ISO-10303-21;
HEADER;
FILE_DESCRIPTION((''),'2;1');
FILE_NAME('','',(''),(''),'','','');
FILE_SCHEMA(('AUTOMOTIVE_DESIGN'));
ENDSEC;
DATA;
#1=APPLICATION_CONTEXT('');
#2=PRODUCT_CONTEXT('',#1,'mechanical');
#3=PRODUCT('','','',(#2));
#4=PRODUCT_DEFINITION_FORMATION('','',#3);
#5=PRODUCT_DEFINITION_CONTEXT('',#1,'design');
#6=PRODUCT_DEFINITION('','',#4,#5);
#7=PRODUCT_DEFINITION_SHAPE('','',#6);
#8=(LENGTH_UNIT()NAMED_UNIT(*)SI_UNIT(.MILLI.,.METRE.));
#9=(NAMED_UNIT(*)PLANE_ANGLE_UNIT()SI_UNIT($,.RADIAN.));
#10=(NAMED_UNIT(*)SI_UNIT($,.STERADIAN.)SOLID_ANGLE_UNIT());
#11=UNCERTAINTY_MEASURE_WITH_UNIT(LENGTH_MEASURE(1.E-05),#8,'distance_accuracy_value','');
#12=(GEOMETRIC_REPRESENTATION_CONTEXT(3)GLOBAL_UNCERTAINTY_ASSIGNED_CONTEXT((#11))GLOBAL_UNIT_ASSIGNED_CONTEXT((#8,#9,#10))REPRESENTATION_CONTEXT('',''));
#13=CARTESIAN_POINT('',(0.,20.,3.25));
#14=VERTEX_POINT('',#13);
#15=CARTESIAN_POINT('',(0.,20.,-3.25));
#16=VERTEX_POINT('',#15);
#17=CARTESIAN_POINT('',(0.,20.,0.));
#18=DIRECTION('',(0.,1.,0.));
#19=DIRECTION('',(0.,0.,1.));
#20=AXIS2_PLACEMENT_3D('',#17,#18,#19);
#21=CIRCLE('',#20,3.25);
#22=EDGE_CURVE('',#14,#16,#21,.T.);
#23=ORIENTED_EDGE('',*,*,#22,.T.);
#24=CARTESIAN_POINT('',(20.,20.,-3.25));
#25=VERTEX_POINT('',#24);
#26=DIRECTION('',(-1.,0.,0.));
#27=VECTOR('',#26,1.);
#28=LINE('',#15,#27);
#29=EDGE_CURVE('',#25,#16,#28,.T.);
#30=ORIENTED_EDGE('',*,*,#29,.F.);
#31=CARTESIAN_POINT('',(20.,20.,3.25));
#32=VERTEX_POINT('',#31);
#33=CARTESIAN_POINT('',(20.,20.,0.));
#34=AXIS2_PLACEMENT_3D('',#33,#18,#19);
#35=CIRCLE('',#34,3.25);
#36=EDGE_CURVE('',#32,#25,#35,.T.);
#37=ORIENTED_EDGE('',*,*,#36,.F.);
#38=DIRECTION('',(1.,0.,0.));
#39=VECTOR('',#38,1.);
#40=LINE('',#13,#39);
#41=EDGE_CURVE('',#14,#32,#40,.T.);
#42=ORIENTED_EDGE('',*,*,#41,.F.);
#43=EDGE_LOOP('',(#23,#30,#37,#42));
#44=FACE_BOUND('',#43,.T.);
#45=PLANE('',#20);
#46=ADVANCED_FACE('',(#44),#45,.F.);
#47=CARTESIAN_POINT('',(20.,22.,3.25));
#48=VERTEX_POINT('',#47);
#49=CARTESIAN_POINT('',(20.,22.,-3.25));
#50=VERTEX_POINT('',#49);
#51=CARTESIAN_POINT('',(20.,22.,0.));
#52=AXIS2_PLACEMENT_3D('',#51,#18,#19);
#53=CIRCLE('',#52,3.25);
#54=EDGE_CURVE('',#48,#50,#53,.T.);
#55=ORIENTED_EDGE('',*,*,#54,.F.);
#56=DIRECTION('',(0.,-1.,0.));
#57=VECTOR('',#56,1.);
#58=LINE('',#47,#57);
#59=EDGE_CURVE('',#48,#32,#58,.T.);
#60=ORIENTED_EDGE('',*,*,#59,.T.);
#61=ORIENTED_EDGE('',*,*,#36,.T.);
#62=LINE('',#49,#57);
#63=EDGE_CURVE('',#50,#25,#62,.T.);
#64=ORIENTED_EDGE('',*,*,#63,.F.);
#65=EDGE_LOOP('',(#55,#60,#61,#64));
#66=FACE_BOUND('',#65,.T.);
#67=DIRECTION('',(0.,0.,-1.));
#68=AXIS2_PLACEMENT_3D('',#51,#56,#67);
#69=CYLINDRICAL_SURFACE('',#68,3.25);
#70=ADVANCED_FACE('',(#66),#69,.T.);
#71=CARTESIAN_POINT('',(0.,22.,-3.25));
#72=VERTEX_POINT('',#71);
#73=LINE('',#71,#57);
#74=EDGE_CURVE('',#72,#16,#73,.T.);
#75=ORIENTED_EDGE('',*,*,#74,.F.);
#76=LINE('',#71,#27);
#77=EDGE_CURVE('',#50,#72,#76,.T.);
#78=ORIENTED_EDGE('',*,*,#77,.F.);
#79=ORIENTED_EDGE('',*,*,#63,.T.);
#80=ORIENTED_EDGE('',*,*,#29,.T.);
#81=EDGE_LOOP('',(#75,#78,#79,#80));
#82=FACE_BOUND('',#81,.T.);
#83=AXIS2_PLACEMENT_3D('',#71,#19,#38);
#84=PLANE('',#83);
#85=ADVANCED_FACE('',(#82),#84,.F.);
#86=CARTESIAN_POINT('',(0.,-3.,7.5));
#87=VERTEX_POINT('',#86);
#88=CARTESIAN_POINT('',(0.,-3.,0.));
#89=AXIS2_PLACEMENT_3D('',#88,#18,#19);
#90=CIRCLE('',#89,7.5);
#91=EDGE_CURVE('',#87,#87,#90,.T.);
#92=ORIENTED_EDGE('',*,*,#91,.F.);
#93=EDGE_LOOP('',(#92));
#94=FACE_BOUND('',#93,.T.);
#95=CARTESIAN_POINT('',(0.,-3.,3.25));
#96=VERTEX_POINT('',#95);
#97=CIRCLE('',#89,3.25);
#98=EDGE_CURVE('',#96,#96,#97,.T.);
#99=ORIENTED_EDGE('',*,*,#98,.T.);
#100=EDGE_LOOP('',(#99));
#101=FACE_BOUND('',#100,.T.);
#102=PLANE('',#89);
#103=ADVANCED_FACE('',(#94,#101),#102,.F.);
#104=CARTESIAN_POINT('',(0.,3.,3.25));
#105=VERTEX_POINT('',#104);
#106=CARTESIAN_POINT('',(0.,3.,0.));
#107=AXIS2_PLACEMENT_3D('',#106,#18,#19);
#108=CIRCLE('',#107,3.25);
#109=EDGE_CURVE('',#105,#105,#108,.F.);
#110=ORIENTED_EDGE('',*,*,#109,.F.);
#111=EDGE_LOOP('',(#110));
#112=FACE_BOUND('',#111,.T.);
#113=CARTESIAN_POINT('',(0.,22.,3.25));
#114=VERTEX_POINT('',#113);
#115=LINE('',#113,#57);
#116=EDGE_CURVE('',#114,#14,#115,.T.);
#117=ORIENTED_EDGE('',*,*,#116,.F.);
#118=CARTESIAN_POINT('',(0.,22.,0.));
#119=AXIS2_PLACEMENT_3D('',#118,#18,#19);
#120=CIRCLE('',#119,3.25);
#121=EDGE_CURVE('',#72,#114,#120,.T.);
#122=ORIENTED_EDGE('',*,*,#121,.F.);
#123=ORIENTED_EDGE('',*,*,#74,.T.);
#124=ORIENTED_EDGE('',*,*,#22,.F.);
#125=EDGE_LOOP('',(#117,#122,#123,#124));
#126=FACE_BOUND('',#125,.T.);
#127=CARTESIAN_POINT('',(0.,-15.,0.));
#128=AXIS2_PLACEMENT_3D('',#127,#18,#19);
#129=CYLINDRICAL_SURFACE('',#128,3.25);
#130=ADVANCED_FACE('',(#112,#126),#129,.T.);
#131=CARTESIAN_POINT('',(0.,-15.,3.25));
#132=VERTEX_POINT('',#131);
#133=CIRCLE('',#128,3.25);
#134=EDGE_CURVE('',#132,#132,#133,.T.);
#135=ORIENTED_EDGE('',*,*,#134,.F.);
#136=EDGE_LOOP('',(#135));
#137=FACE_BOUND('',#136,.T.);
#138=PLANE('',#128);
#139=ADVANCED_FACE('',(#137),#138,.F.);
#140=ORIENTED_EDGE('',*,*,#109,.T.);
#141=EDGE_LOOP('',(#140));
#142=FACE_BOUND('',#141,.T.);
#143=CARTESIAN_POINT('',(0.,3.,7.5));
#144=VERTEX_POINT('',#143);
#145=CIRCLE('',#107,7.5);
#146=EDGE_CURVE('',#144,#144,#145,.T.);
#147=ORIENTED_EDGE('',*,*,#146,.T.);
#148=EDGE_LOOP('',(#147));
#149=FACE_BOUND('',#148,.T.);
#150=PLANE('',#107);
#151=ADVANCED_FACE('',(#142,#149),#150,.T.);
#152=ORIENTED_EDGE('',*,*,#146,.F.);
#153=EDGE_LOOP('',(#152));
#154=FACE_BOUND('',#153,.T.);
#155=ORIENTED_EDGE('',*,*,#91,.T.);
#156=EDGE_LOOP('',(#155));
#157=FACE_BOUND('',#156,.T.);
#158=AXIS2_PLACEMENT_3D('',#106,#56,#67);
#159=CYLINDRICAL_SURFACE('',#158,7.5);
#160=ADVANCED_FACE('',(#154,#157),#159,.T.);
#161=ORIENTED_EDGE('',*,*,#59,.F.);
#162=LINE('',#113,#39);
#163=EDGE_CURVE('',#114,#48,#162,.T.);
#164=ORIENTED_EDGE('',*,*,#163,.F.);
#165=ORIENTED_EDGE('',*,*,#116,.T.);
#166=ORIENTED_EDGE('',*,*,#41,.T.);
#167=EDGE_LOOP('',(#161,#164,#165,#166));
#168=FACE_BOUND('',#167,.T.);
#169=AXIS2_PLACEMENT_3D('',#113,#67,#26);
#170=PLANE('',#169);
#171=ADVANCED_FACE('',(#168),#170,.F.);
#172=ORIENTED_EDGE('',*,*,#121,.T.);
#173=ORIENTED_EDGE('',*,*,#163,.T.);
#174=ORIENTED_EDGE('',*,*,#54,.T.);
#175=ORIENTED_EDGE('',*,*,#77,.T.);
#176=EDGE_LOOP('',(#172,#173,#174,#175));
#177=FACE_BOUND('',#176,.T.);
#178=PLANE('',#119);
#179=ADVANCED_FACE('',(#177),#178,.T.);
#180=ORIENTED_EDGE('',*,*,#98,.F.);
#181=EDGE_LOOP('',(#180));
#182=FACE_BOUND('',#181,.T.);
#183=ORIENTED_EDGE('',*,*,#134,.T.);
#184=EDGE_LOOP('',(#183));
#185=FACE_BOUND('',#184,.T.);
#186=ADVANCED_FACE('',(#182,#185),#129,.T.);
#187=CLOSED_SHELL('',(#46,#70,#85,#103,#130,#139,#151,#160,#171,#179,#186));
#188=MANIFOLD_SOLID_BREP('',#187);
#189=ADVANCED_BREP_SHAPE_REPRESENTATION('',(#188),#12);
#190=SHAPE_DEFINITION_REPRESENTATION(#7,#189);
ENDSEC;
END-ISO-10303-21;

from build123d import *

# Parameters (mm, degrees)
SALIENTE_EXTRUIR1_DEPTH      = 20
SALIENTE_EXTRUIR1_DEPTH_BACK = 15
CROQUIS1_R                   = 3.25
CROQUIS1_3_R                 = 7.5
CROQUIS1_3_R_2               = 3.25
SALIENTE_EXTRUIR2_DEPTH      = 3
SALIENTE_EXTRUIR3_DEPTH      = 2


with BuildPart() as part:
    # Croquis1 → Saliente-Extruir1 (new, two sides: drawn at the far end of the back side and taken through both)
    with BuildSketch(Plane(origin=(0, 0, 0), x_dir=(1, 0, 0), z_dir=(0, 1, 0)).offset(-SALIENTE_EXTRUIR1_DEPTH_BACK)):
        Circle(CROQUIS1_R)
    extrude(amount=SALIENTE_EXTRUIR1_DEPTH + SALIENTE_EXTRUIR1_DEPTH_BACK)

    # Croquis1<3> → Saliente-Extruir2 (add, symmetric)
    with BuildSketch(Plane(origin=(0, 0, 0), x_dir=(1, 0, 0), z_dir=(0, 1, 0))):
        Circle(CROQUIS1_3_R)
        Circle(CROQUIS1_3_R_2, mode=Mode.SUBTRACT)
    extrude(amount=SALIENTE_EXTRUIR2_DEPTH, both=True)

    # Croquis2 → Saliente-Extruir3 (add)
    with BuildSketch(Plane(origin=(0, 20, 0), x_dir=(1, 0, 0), z_dir=(0, 1, 0))):
        with BuildLine():
            Line((0, 3.25), (20, 3.25))
            ThreePointArc((20, 3.25), (23.25, 0), (20, -3.25))
            Line((20, -3.25), (0, -3.25))
            ThreePointArc((0, -3.25), (-3.25, 0), (0, 3.25))
        make_face()
    extrude(amount=SALIENTE_EXTRUIR3_DEPTH)


solid = part.part
